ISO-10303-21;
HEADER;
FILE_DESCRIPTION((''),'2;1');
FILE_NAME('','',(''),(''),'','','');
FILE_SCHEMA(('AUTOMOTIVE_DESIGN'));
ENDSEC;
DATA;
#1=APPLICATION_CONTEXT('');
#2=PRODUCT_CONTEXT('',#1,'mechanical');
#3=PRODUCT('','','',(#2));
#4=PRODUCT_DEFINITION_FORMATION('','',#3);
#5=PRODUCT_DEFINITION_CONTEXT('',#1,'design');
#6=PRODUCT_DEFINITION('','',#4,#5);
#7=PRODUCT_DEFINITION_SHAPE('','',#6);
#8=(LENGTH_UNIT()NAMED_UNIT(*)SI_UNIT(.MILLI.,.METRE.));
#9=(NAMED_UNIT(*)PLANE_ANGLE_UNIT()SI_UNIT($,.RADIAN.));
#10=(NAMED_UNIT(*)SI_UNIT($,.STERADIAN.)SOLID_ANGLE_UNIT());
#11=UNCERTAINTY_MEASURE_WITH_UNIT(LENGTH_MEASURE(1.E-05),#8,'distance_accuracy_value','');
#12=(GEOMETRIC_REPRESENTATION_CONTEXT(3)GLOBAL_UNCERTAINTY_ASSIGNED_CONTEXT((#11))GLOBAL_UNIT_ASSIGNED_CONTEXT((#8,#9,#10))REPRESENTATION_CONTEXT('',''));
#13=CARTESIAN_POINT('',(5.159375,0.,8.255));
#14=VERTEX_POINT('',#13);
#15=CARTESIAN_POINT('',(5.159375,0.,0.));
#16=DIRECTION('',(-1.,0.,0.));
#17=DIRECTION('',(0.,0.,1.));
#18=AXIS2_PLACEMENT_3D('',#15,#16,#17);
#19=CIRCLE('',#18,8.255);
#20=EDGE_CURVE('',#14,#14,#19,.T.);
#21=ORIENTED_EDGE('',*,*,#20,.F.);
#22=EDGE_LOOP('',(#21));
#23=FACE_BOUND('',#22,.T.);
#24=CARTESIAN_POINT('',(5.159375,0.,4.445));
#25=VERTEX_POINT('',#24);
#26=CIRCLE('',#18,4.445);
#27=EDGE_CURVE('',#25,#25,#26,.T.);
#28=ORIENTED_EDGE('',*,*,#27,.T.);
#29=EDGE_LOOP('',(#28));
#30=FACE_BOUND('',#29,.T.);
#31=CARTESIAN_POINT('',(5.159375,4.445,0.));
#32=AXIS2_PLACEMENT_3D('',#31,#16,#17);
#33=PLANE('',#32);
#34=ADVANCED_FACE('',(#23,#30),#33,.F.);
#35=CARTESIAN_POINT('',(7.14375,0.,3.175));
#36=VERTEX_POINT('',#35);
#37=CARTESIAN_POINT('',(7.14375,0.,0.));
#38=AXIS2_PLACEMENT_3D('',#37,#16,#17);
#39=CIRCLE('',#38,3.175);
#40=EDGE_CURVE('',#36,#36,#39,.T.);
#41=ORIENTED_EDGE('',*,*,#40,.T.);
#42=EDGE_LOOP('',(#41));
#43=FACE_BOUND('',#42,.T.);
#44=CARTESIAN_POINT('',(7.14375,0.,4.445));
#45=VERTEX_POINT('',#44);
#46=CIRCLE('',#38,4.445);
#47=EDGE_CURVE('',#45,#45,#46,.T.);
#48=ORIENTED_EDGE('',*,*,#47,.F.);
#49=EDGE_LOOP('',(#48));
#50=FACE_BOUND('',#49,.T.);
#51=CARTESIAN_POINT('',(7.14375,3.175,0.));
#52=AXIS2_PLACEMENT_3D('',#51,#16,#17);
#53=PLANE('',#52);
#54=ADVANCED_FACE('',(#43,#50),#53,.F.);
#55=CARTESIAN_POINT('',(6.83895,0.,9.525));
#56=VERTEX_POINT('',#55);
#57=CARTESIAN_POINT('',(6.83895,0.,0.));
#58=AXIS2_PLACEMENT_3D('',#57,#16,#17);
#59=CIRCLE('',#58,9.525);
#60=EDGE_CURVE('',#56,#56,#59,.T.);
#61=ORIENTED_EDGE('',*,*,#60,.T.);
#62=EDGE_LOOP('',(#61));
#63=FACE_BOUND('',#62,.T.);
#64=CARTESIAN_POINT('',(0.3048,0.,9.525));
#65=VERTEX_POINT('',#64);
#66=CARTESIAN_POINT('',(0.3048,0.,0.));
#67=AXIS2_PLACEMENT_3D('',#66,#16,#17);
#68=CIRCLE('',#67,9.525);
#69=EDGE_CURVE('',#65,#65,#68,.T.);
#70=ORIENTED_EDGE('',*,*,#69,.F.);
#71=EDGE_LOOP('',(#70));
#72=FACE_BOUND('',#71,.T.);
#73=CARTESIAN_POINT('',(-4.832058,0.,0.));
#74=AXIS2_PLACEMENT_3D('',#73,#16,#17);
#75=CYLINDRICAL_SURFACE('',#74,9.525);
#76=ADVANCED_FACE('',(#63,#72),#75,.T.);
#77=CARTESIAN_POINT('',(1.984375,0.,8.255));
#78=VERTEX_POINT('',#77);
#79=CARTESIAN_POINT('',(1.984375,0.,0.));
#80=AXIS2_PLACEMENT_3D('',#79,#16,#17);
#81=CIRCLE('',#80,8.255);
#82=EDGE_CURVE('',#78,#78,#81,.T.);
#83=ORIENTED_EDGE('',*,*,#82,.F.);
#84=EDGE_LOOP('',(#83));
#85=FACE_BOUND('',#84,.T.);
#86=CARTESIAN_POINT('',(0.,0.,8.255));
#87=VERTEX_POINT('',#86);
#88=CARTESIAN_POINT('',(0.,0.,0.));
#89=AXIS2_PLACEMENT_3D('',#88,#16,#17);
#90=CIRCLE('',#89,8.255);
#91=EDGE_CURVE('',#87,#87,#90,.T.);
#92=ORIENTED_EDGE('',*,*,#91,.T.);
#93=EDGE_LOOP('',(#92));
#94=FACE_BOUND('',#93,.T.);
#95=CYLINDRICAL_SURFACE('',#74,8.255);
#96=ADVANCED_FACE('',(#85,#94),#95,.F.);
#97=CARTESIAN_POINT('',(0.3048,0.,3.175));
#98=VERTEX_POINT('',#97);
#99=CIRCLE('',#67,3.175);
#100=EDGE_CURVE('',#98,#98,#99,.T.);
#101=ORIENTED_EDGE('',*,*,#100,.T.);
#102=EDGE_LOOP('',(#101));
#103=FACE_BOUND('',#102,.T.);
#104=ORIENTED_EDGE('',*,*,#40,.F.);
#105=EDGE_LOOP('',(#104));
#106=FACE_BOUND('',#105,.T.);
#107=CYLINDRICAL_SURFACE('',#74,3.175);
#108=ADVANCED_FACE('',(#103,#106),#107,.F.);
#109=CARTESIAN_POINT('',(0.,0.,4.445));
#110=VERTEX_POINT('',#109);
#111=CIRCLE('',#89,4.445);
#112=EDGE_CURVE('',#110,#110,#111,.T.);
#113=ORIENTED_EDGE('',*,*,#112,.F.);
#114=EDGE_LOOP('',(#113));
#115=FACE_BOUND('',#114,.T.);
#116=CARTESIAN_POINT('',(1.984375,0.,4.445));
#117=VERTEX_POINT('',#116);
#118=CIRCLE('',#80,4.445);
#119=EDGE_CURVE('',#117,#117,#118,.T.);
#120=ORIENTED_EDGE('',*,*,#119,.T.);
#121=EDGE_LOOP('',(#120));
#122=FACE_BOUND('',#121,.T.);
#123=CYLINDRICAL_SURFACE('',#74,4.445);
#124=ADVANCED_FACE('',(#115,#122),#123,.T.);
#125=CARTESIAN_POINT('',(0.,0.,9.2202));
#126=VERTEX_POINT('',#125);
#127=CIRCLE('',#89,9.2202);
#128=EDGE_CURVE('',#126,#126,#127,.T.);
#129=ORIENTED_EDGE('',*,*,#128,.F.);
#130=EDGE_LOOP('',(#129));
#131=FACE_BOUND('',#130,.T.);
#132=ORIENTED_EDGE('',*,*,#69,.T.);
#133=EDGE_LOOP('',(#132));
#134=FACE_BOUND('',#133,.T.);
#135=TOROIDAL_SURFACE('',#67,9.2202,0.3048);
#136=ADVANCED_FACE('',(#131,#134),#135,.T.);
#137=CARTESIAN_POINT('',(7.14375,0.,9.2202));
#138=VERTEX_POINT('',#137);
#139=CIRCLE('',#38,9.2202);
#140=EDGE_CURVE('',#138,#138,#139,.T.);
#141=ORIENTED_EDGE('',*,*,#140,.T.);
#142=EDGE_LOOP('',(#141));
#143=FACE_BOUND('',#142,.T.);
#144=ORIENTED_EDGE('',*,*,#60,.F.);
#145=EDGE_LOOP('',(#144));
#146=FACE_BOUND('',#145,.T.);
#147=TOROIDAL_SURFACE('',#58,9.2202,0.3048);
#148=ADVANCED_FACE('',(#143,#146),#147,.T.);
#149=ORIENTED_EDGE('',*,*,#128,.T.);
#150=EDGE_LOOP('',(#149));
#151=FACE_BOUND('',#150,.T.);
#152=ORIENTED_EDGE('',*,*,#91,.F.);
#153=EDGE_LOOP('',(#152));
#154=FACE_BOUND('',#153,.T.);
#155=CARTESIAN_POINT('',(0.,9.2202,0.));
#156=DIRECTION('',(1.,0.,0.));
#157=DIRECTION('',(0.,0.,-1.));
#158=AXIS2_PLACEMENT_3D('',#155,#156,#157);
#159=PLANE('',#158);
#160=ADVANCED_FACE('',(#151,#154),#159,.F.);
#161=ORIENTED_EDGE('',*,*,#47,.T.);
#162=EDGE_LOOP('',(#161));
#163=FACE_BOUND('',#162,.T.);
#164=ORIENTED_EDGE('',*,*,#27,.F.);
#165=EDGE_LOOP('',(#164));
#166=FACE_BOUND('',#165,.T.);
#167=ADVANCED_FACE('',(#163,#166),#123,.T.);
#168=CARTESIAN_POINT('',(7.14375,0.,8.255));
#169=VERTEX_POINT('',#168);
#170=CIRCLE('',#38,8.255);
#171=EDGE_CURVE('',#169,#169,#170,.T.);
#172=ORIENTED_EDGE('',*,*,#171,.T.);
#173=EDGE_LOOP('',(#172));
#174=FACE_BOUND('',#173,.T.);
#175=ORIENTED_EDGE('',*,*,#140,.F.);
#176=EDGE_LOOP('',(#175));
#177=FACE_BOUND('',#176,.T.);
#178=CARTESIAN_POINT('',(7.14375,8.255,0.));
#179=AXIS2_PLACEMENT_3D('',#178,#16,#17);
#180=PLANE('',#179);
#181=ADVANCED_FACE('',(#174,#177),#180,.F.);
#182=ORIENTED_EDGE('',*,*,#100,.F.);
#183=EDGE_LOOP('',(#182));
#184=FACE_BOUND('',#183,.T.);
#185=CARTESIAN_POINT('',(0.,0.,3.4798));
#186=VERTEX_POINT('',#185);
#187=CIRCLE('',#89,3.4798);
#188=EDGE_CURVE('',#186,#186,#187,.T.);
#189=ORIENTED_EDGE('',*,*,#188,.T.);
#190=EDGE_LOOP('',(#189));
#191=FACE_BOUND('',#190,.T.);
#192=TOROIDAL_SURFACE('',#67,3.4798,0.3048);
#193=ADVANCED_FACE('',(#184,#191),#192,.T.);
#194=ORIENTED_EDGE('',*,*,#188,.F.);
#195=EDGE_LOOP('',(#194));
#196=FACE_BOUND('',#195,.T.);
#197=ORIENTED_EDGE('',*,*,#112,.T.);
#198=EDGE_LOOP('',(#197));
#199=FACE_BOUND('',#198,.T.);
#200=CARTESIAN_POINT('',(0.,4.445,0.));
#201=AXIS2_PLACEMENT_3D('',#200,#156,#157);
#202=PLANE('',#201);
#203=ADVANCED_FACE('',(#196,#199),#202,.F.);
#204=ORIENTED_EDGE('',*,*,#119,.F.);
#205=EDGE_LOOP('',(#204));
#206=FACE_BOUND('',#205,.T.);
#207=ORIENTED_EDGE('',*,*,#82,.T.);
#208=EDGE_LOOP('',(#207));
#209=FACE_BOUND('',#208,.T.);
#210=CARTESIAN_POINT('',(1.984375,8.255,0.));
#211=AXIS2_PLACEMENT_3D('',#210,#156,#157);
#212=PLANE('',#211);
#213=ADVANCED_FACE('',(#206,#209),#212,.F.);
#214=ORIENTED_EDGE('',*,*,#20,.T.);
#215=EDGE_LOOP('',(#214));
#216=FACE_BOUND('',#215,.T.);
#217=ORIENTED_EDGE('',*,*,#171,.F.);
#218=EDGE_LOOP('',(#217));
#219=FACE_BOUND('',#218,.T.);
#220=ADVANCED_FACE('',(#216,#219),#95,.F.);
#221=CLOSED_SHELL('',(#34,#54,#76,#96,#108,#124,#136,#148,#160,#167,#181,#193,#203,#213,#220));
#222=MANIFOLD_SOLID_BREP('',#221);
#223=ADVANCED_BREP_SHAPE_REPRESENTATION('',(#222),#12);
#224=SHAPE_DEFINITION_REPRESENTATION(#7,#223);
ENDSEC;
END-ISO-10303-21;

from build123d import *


with BuildPart() as part:
    # Sketch3 → bearing-revolution (revolve)
    with BuildSketch(Plane.XY):
        with BuildLine():
            Line((0.3048, 3.175), (7.14375, 3.175))
            Line((7.14375, 3.175), (7.14375, 4.445))
            Line((7.14375, 4.445), (5.159375, 4.445))
            Line((5.159375, 4.445), (5.159375, 8.255))
            Line((5.159375, 8.255), (7.14375, 8.255))
            Line((7.14375, 8.255), (7.14375, 9.2202))
            ThreePointArc((7.14375, 9.2202), (7.054476147, 9.435726147), (6.83895, 9.525))
            Line((6.83895, 9.525), (0.3048, 9.525))
            ThreePointArc((0.3048, 9.525), (0.089273853, 9.435726147), (0, 9.2202))
            Line((0, 9.2202), (0, 8.255))
            Line((0, 8.255), (1.984375, 8.255))
            Line((1.984375, 8.255), (1.984375, 4.445))
            Line((1.984375, 4.445), (0, 4.445))
            Line((0, 4.445), (0, 3.4798))
            ThreePointArc((0, 3.4798), (0.089273853, 3.264273853), (0.3048, 3.175))
        make_face()
    revolve(axis=Axis((-4.832058368, 0, 0), (1, 0, 0)))


solid = part.part
